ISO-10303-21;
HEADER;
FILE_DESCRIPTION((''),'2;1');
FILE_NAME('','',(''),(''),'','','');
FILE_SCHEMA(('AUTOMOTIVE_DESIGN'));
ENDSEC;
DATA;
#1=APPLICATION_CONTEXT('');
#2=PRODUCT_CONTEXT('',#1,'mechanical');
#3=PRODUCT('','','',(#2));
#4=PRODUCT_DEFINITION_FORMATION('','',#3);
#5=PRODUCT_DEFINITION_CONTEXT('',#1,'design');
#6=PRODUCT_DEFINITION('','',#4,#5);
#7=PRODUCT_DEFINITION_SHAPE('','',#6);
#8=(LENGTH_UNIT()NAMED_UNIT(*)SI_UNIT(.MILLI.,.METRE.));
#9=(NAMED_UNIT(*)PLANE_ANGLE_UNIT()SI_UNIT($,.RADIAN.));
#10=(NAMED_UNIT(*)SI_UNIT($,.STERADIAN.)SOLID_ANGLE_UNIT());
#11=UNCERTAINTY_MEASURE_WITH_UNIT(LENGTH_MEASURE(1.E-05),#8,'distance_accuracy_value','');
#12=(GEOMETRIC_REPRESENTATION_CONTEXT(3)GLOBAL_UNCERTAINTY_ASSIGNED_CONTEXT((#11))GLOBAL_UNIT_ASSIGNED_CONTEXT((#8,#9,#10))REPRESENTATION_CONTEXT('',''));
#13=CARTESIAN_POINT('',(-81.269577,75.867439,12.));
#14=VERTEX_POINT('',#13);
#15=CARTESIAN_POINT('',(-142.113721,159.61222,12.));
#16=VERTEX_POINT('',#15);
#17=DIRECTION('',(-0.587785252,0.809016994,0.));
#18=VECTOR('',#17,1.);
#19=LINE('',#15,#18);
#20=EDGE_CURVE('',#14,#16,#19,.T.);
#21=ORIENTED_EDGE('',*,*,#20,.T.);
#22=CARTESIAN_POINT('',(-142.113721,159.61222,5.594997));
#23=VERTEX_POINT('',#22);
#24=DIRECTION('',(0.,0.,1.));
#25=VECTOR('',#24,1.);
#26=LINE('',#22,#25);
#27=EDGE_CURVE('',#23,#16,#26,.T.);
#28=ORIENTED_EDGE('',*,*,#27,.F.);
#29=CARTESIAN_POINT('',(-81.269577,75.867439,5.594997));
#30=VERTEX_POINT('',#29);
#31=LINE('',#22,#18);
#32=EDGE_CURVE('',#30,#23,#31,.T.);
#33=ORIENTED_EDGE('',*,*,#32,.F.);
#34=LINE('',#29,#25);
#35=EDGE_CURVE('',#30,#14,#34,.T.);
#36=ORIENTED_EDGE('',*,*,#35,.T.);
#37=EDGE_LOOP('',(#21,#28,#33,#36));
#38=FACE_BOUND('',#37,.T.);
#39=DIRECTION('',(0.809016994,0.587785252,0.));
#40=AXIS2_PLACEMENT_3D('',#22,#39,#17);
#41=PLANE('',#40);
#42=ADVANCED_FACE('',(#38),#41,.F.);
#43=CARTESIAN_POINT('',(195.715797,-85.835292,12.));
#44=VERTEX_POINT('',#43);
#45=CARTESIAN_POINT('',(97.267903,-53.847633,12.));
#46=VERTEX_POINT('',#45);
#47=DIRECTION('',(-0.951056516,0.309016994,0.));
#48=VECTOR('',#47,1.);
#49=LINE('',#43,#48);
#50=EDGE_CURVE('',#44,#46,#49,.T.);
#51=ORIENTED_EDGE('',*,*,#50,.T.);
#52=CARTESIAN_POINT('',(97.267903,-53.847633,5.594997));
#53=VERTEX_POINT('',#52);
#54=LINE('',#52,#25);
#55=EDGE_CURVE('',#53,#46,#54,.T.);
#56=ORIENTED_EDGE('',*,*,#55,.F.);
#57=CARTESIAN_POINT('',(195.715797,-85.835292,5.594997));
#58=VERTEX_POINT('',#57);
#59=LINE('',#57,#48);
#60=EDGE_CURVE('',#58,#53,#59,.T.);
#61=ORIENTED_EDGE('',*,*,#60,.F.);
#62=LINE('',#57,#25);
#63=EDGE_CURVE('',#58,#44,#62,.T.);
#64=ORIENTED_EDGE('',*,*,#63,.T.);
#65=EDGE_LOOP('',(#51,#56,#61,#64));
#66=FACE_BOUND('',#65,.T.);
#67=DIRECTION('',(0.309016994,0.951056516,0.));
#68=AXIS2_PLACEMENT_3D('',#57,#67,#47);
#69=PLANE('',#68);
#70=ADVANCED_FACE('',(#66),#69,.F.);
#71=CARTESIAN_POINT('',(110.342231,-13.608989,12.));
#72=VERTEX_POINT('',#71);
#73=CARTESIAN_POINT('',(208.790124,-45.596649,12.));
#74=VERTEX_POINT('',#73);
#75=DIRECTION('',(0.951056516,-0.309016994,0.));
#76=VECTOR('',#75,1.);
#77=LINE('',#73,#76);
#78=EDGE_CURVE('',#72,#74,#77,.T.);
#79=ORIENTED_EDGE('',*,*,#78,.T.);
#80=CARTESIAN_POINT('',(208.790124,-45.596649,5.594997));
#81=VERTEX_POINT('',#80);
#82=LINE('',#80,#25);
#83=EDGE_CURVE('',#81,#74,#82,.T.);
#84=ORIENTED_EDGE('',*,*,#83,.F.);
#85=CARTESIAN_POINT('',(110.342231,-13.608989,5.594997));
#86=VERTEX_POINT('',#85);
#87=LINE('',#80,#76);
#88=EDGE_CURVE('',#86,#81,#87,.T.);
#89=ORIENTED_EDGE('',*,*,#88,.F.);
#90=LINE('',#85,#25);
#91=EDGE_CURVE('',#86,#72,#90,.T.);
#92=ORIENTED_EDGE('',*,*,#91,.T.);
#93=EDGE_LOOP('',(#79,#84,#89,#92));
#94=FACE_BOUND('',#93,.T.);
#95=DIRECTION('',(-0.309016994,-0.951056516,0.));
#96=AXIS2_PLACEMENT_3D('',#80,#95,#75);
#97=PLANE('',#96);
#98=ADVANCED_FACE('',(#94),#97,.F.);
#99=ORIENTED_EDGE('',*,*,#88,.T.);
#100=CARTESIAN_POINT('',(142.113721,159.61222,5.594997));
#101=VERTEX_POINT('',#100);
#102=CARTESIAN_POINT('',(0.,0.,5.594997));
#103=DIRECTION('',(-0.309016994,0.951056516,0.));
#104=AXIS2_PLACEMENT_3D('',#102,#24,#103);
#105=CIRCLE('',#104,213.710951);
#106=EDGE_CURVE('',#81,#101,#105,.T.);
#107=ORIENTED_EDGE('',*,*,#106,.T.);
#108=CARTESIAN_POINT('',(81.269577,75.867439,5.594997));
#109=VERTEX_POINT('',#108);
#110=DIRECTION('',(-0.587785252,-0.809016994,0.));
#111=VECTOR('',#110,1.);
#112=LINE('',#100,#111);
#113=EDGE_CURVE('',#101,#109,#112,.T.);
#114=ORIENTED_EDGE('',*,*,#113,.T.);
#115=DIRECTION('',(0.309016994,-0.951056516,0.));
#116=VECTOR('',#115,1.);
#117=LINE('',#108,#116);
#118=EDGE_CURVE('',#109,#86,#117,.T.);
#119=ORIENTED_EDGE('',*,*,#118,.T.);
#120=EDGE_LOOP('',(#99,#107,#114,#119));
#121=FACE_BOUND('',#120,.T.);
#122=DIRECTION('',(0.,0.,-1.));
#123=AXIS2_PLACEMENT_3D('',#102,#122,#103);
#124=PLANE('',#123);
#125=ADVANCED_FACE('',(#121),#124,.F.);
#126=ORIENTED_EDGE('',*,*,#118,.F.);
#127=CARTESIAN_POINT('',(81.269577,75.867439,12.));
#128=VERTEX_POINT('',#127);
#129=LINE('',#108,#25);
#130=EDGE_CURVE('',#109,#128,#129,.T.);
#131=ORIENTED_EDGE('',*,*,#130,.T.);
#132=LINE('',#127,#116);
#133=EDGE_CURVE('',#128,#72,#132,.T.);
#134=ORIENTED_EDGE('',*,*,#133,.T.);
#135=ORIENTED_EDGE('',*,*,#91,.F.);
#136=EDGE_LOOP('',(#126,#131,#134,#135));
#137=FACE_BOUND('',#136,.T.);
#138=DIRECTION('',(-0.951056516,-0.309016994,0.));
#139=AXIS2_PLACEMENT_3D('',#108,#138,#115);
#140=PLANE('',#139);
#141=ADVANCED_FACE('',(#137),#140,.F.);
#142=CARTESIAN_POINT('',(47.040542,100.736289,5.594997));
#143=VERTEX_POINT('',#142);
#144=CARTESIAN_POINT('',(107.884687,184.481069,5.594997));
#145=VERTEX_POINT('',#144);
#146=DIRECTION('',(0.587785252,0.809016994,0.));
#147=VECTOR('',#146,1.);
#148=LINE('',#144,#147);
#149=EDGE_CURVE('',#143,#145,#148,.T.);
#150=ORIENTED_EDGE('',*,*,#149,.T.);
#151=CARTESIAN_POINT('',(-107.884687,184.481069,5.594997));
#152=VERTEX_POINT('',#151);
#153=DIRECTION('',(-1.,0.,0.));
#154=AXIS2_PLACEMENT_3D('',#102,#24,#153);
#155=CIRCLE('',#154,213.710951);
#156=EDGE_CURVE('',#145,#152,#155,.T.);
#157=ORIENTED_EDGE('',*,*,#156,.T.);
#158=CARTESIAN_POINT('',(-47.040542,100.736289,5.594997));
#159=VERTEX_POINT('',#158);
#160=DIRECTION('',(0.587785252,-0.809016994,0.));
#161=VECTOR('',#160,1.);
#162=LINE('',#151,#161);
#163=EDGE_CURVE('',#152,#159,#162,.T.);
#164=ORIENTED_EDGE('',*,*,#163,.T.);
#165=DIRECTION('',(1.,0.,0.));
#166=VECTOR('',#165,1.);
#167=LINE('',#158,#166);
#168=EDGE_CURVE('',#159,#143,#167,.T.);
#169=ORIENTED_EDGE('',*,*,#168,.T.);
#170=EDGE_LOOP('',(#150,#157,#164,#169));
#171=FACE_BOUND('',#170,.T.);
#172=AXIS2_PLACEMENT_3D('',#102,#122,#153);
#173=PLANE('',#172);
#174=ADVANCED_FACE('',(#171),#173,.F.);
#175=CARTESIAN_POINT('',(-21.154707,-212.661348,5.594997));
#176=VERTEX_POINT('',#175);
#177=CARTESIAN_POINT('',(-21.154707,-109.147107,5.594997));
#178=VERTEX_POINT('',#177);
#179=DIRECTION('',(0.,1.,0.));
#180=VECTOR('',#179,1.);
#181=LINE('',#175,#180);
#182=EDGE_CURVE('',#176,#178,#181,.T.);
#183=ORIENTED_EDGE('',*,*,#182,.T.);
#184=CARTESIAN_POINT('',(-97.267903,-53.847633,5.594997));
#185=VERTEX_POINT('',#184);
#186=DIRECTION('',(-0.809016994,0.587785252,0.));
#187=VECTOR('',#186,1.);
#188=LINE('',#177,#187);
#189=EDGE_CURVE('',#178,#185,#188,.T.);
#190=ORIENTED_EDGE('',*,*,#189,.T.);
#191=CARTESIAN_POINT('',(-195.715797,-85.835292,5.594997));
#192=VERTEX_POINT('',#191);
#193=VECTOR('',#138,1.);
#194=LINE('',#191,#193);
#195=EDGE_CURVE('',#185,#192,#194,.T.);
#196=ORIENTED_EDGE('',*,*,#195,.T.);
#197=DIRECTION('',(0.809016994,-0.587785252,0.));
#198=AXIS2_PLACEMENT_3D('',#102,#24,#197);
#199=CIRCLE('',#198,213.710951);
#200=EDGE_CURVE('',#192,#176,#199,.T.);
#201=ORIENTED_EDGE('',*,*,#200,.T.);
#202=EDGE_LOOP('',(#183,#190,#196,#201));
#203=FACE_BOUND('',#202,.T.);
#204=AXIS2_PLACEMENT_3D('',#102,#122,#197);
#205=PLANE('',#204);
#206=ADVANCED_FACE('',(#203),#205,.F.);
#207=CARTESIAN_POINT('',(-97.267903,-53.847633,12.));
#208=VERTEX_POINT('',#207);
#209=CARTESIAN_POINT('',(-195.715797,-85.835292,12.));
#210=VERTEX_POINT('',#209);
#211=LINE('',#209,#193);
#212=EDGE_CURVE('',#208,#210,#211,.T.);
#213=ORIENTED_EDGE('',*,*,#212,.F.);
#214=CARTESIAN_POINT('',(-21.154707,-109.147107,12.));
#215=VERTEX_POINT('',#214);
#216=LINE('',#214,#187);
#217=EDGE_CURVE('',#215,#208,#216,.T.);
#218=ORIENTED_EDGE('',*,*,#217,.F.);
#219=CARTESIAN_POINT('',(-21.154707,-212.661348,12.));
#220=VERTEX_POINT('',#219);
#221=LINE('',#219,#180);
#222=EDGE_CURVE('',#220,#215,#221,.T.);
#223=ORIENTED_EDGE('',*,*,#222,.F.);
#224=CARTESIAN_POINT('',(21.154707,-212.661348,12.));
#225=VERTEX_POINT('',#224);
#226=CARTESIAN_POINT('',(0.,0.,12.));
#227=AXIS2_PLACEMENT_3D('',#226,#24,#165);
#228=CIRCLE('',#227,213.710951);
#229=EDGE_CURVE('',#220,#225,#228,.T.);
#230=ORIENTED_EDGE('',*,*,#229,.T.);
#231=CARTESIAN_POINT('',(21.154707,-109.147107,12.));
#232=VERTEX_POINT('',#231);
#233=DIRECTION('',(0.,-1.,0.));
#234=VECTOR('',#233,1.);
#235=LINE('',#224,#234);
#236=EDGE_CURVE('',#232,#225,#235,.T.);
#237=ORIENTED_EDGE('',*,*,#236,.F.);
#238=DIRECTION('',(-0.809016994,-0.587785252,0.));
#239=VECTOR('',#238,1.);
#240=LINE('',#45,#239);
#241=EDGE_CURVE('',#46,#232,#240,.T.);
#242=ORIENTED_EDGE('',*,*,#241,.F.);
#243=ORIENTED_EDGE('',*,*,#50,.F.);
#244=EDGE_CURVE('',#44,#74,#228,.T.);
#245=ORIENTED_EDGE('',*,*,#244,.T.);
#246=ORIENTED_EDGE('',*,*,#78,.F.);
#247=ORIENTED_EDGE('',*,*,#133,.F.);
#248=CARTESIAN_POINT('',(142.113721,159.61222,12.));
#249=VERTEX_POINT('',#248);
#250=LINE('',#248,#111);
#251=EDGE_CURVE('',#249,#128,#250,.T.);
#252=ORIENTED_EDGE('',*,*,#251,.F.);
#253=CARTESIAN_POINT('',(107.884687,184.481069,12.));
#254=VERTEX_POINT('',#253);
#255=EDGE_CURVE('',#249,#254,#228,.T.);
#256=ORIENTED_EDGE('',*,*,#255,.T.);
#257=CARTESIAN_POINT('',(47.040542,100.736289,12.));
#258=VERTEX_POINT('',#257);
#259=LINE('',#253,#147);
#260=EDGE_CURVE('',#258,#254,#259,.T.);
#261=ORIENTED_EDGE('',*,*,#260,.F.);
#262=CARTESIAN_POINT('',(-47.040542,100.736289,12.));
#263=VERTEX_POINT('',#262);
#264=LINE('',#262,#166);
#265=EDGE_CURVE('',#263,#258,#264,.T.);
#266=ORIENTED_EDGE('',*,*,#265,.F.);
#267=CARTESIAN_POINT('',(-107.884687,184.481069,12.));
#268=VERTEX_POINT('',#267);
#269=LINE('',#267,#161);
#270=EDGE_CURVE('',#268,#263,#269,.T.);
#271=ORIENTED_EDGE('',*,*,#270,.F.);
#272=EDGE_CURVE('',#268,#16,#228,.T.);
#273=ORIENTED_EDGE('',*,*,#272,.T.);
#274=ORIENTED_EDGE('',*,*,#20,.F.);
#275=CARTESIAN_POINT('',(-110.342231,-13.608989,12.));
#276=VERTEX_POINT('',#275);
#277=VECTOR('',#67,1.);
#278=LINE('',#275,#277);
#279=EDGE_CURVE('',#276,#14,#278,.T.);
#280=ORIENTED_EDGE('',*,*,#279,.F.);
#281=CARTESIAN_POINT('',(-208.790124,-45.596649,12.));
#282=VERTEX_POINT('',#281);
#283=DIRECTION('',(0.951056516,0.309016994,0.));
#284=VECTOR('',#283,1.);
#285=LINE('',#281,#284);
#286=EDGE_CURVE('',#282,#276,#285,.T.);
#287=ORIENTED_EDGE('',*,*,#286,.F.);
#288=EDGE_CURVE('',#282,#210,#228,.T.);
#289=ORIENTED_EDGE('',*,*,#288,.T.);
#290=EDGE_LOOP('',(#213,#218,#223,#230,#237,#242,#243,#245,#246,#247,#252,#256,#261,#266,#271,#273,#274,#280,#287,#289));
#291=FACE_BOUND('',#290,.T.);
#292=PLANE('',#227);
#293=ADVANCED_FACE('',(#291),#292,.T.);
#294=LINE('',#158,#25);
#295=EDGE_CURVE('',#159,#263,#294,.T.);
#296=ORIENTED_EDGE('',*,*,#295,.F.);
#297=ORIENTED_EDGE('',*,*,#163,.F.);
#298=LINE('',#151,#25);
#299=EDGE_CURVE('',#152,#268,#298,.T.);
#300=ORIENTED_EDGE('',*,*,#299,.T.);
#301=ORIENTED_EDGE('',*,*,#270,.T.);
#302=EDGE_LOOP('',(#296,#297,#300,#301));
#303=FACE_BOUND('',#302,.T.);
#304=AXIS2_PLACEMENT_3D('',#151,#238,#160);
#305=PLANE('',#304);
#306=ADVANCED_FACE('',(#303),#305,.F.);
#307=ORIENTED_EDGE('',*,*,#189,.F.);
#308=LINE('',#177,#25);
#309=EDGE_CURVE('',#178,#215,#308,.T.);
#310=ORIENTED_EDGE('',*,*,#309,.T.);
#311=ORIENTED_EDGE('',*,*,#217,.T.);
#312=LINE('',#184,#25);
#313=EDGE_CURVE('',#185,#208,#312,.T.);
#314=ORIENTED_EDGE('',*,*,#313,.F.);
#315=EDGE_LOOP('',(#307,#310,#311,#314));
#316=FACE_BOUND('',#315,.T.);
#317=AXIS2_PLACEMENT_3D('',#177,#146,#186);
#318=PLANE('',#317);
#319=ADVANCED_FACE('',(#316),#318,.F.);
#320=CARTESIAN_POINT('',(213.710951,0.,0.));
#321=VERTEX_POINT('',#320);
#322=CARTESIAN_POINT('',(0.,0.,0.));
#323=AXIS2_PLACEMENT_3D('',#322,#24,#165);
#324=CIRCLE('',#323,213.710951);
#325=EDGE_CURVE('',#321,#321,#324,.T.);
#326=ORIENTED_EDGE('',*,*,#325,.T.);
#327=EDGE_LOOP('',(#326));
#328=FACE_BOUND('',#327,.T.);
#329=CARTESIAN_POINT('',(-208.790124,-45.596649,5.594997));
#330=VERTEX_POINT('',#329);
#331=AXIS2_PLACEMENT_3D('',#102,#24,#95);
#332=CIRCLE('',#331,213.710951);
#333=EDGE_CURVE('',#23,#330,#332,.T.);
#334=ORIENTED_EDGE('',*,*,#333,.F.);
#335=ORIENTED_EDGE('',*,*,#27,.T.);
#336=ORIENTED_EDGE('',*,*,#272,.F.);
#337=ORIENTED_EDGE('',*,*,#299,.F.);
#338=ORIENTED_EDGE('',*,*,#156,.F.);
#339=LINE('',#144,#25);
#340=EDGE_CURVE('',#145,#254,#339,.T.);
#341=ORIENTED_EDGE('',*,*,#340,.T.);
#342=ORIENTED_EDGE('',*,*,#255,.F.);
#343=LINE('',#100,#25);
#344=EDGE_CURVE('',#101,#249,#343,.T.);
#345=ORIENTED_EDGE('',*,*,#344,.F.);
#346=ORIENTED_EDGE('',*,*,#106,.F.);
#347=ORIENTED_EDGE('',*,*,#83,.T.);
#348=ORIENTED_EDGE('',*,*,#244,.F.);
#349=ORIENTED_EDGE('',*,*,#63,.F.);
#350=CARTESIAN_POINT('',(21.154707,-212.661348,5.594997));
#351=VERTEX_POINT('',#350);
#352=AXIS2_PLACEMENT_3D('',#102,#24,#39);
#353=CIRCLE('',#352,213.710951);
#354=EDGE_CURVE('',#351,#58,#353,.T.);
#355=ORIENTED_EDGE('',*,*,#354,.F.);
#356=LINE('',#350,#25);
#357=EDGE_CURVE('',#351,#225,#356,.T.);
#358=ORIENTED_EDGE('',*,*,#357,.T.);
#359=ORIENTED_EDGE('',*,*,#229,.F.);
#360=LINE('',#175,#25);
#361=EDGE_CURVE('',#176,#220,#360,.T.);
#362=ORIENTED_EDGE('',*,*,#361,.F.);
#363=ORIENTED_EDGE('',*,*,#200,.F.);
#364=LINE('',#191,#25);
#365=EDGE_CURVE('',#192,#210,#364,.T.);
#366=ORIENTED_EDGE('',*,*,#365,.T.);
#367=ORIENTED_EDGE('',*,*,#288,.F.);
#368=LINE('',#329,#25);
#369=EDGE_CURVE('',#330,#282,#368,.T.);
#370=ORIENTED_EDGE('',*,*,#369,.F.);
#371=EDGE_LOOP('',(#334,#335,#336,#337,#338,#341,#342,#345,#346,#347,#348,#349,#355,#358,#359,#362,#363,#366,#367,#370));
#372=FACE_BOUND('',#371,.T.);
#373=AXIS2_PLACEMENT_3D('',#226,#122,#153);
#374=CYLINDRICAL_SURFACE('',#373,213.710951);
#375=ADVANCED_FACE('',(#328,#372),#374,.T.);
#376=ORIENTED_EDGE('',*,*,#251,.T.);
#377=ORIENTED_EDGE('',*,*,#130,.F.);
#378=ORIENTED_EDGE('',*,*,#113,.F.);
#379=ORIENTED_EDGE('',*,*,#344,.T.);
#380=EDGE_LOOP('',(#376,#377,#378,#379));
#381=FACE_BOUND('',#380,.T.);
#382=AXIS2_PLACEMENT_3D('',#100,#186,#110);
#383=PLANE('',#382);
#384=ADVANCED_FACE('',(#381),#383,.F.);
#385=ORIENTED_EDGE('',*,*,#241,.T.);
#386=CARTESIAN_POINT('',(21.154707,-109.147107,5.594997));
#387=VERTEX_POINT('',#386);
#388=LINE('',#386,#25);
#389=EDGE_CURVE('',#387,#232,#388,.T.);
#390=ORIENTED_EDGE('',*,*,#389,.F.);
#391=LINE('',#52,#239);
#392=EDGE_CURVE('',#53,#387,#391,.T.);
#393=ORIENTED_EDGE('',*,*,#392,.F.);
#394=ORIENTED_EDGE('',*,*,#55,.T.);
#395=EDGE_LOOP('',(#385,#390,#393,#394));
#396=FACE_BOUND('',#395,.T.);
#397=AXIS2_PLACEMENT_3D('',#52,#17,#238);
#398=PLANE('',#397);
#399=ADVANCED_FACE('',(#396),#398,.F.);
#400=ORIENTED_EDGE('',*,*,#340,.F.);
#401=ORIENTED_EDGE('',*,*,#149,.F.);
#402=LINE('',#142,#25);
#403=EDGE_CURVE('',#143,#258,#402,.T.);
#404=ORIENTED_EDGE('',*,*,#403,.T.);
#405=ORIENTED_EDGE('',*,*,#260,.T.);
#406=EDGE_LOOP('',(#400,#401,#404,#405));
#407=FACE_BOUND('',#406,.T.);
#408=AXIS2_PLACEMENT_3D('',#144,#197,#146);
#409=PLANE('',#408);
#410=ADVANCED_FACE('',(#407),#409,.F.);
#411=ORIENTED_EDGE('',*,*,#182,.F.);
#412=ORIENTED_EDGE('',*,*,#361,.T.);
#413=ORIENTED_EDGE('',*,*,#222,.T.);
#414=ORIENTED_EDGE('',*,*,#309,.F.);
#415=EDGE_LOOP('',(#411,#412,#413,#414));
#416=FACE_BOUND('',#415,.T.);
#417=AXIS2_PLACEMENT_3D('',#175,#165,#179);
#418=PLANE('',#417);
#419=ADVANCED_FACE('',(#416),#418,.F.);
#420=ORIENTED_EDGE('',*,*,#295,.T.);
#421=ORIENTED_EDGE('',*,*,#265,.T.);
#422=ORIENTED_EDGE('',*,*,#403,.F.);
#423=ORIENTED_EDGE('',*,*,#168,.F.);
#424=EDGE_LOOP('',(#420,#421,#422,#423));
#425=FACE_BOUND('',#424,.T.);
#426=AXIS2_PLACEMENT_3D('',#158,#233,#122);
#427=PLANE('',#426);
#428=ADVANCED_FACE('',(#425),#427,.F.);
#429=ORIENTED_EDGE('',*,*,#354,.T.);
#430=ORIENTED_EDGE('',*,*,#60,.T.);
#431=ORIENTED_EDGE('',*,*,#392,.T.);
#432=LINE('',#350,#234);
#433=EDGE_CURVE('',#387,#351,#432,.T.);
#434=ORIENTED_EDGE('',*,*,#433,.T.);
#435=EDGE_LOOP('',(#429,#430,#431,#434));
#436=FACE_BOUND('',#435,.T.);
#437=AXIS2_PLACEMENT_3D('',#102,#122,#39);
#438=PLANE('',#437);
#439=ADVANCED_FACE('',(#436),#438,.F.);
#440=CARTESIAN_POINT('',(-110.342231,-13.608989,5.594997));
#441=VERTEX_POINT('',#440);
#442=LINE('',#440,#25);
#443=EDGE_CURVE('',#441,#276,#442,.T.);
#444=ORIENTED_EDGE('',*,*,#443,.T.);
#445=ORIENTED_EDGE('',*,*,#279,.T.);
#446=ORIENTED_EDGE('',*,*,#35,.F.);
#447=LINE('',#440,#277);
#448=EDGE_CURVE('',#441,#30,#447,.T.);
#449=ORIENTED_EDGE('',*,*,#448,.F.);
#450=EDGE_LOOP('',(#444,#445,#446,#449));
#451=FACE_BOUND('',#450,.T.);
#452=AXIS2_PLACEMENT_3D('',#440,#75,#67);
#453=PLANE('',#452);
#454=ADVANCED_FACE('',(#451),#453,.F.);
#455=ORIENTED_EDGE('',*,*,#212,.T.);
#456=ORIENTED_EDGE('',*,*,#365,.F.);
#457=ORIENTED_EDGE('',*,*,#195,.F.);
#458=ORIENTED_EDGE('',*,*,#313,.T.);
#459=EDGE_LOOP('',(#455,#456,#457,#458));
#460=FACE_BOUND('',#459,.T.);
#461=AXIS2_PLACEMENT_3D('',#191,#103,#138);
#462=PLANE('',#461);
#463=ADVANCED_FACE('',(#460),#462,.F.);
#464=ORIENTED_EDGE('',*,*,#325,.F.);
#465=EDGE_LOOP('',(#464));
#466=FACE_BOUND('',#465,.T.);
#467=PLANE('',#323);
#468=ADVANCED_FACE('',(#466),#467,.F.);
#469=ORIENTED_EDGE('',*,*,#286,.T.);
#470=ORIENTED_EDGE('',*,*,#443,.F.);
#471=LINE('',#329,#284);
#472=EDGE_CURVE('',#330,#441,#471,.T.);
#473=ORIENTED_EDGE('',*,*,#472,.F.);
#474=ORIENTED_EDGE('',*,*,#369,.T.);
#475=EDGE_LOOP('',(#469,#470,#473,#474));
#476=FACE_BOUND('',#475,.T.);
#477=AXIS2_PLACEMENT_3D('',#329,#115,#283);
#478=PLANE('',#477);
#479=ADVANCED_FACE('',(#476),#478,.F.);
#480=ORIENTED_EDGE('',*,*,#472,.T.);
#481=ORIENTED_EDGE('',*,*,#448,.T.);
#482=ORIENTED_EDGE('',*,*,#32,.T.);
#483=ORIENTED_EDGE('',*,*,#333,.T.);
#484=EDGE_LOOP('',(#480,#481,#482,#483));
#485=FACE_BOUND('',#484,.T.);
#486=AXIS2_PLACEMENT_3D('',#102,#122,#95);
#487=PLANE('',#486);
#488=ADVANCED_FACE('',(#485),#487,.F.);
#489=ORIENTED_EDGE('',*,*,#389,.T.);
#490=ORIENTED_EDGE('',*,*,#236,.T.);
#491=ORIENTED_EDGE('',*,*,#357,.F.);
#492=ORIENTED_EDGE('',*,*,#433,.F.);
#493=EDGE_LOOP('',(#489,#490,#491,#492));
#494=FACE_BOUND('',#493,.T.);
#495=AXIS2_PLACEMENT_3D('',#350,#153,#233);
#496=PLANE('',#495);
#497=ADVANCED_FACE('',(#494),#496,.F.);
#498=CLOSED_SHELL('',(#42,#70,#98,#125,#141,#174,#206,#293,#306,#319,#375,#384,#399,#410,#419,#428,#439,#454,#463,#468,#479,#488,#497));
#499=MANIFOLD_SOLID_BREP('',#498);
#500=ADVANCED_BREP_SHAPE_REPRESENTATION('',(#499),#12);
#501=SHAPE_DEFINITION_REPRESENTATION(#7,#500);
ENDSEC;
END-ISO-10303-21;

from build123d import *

# Parameters (mm, degrees)
SKETCH1_R           = 213.710950615
BOSS_EXTRUDE1_DEPTH = 12
CUT_EXTRUDE1_START  = -6.405003169
CUT_EXTRUDE1_DEPTH  = 6.405003169
CIRPATTERN1_COUNT   = 5


with BuildPart() as part:
    # Sketch1 → Boss-Extrude1 (new body)
    with BuildSketch(Plane.XY):
        Circle(SKETCH1_R)
    extrude(amount=BOSS_EXTRUDE1_DEPTH)

    # Sketch2 → Cut-Extrude1 (cut)
    with BuildSketch(Plane.XY.offset(12).offset(CUT_EXTRUDE1_START)):
        with BuildLine():
            Line((-47.040542179, 100.736288781), (47.040542179, 100.736288781))
            Line((47.040542179, 100.736288781), (107.884686522, 184.48106902))
            ThreePointArc((107.884686522, 184.48106902), (0, 213.710950615), (-107.884686522, 184.48106902))
            Line((-107.884686522, 184.48106902), (-47.040542179, 100.736288781))
        make_face()
    cut_extrude1 = extrude(amount=CUT_EXTRUDE1_DEPTH, mode=Mode.SUBTRACT)

    # CirPattern1: Cut-Extrude1 ×5 about axis
    cirpattern1_axis = Axis((0, 0, 0), (0, 0, 1))
    for i in range(1, CIRPATTERN1_COUNT):
        add(cut_extrude1.rotate(cirpattern1_axis, i * 360 / CIRPATTERN1_COUNT), mode=Mode.SUBTRACT)


solid = part.part
